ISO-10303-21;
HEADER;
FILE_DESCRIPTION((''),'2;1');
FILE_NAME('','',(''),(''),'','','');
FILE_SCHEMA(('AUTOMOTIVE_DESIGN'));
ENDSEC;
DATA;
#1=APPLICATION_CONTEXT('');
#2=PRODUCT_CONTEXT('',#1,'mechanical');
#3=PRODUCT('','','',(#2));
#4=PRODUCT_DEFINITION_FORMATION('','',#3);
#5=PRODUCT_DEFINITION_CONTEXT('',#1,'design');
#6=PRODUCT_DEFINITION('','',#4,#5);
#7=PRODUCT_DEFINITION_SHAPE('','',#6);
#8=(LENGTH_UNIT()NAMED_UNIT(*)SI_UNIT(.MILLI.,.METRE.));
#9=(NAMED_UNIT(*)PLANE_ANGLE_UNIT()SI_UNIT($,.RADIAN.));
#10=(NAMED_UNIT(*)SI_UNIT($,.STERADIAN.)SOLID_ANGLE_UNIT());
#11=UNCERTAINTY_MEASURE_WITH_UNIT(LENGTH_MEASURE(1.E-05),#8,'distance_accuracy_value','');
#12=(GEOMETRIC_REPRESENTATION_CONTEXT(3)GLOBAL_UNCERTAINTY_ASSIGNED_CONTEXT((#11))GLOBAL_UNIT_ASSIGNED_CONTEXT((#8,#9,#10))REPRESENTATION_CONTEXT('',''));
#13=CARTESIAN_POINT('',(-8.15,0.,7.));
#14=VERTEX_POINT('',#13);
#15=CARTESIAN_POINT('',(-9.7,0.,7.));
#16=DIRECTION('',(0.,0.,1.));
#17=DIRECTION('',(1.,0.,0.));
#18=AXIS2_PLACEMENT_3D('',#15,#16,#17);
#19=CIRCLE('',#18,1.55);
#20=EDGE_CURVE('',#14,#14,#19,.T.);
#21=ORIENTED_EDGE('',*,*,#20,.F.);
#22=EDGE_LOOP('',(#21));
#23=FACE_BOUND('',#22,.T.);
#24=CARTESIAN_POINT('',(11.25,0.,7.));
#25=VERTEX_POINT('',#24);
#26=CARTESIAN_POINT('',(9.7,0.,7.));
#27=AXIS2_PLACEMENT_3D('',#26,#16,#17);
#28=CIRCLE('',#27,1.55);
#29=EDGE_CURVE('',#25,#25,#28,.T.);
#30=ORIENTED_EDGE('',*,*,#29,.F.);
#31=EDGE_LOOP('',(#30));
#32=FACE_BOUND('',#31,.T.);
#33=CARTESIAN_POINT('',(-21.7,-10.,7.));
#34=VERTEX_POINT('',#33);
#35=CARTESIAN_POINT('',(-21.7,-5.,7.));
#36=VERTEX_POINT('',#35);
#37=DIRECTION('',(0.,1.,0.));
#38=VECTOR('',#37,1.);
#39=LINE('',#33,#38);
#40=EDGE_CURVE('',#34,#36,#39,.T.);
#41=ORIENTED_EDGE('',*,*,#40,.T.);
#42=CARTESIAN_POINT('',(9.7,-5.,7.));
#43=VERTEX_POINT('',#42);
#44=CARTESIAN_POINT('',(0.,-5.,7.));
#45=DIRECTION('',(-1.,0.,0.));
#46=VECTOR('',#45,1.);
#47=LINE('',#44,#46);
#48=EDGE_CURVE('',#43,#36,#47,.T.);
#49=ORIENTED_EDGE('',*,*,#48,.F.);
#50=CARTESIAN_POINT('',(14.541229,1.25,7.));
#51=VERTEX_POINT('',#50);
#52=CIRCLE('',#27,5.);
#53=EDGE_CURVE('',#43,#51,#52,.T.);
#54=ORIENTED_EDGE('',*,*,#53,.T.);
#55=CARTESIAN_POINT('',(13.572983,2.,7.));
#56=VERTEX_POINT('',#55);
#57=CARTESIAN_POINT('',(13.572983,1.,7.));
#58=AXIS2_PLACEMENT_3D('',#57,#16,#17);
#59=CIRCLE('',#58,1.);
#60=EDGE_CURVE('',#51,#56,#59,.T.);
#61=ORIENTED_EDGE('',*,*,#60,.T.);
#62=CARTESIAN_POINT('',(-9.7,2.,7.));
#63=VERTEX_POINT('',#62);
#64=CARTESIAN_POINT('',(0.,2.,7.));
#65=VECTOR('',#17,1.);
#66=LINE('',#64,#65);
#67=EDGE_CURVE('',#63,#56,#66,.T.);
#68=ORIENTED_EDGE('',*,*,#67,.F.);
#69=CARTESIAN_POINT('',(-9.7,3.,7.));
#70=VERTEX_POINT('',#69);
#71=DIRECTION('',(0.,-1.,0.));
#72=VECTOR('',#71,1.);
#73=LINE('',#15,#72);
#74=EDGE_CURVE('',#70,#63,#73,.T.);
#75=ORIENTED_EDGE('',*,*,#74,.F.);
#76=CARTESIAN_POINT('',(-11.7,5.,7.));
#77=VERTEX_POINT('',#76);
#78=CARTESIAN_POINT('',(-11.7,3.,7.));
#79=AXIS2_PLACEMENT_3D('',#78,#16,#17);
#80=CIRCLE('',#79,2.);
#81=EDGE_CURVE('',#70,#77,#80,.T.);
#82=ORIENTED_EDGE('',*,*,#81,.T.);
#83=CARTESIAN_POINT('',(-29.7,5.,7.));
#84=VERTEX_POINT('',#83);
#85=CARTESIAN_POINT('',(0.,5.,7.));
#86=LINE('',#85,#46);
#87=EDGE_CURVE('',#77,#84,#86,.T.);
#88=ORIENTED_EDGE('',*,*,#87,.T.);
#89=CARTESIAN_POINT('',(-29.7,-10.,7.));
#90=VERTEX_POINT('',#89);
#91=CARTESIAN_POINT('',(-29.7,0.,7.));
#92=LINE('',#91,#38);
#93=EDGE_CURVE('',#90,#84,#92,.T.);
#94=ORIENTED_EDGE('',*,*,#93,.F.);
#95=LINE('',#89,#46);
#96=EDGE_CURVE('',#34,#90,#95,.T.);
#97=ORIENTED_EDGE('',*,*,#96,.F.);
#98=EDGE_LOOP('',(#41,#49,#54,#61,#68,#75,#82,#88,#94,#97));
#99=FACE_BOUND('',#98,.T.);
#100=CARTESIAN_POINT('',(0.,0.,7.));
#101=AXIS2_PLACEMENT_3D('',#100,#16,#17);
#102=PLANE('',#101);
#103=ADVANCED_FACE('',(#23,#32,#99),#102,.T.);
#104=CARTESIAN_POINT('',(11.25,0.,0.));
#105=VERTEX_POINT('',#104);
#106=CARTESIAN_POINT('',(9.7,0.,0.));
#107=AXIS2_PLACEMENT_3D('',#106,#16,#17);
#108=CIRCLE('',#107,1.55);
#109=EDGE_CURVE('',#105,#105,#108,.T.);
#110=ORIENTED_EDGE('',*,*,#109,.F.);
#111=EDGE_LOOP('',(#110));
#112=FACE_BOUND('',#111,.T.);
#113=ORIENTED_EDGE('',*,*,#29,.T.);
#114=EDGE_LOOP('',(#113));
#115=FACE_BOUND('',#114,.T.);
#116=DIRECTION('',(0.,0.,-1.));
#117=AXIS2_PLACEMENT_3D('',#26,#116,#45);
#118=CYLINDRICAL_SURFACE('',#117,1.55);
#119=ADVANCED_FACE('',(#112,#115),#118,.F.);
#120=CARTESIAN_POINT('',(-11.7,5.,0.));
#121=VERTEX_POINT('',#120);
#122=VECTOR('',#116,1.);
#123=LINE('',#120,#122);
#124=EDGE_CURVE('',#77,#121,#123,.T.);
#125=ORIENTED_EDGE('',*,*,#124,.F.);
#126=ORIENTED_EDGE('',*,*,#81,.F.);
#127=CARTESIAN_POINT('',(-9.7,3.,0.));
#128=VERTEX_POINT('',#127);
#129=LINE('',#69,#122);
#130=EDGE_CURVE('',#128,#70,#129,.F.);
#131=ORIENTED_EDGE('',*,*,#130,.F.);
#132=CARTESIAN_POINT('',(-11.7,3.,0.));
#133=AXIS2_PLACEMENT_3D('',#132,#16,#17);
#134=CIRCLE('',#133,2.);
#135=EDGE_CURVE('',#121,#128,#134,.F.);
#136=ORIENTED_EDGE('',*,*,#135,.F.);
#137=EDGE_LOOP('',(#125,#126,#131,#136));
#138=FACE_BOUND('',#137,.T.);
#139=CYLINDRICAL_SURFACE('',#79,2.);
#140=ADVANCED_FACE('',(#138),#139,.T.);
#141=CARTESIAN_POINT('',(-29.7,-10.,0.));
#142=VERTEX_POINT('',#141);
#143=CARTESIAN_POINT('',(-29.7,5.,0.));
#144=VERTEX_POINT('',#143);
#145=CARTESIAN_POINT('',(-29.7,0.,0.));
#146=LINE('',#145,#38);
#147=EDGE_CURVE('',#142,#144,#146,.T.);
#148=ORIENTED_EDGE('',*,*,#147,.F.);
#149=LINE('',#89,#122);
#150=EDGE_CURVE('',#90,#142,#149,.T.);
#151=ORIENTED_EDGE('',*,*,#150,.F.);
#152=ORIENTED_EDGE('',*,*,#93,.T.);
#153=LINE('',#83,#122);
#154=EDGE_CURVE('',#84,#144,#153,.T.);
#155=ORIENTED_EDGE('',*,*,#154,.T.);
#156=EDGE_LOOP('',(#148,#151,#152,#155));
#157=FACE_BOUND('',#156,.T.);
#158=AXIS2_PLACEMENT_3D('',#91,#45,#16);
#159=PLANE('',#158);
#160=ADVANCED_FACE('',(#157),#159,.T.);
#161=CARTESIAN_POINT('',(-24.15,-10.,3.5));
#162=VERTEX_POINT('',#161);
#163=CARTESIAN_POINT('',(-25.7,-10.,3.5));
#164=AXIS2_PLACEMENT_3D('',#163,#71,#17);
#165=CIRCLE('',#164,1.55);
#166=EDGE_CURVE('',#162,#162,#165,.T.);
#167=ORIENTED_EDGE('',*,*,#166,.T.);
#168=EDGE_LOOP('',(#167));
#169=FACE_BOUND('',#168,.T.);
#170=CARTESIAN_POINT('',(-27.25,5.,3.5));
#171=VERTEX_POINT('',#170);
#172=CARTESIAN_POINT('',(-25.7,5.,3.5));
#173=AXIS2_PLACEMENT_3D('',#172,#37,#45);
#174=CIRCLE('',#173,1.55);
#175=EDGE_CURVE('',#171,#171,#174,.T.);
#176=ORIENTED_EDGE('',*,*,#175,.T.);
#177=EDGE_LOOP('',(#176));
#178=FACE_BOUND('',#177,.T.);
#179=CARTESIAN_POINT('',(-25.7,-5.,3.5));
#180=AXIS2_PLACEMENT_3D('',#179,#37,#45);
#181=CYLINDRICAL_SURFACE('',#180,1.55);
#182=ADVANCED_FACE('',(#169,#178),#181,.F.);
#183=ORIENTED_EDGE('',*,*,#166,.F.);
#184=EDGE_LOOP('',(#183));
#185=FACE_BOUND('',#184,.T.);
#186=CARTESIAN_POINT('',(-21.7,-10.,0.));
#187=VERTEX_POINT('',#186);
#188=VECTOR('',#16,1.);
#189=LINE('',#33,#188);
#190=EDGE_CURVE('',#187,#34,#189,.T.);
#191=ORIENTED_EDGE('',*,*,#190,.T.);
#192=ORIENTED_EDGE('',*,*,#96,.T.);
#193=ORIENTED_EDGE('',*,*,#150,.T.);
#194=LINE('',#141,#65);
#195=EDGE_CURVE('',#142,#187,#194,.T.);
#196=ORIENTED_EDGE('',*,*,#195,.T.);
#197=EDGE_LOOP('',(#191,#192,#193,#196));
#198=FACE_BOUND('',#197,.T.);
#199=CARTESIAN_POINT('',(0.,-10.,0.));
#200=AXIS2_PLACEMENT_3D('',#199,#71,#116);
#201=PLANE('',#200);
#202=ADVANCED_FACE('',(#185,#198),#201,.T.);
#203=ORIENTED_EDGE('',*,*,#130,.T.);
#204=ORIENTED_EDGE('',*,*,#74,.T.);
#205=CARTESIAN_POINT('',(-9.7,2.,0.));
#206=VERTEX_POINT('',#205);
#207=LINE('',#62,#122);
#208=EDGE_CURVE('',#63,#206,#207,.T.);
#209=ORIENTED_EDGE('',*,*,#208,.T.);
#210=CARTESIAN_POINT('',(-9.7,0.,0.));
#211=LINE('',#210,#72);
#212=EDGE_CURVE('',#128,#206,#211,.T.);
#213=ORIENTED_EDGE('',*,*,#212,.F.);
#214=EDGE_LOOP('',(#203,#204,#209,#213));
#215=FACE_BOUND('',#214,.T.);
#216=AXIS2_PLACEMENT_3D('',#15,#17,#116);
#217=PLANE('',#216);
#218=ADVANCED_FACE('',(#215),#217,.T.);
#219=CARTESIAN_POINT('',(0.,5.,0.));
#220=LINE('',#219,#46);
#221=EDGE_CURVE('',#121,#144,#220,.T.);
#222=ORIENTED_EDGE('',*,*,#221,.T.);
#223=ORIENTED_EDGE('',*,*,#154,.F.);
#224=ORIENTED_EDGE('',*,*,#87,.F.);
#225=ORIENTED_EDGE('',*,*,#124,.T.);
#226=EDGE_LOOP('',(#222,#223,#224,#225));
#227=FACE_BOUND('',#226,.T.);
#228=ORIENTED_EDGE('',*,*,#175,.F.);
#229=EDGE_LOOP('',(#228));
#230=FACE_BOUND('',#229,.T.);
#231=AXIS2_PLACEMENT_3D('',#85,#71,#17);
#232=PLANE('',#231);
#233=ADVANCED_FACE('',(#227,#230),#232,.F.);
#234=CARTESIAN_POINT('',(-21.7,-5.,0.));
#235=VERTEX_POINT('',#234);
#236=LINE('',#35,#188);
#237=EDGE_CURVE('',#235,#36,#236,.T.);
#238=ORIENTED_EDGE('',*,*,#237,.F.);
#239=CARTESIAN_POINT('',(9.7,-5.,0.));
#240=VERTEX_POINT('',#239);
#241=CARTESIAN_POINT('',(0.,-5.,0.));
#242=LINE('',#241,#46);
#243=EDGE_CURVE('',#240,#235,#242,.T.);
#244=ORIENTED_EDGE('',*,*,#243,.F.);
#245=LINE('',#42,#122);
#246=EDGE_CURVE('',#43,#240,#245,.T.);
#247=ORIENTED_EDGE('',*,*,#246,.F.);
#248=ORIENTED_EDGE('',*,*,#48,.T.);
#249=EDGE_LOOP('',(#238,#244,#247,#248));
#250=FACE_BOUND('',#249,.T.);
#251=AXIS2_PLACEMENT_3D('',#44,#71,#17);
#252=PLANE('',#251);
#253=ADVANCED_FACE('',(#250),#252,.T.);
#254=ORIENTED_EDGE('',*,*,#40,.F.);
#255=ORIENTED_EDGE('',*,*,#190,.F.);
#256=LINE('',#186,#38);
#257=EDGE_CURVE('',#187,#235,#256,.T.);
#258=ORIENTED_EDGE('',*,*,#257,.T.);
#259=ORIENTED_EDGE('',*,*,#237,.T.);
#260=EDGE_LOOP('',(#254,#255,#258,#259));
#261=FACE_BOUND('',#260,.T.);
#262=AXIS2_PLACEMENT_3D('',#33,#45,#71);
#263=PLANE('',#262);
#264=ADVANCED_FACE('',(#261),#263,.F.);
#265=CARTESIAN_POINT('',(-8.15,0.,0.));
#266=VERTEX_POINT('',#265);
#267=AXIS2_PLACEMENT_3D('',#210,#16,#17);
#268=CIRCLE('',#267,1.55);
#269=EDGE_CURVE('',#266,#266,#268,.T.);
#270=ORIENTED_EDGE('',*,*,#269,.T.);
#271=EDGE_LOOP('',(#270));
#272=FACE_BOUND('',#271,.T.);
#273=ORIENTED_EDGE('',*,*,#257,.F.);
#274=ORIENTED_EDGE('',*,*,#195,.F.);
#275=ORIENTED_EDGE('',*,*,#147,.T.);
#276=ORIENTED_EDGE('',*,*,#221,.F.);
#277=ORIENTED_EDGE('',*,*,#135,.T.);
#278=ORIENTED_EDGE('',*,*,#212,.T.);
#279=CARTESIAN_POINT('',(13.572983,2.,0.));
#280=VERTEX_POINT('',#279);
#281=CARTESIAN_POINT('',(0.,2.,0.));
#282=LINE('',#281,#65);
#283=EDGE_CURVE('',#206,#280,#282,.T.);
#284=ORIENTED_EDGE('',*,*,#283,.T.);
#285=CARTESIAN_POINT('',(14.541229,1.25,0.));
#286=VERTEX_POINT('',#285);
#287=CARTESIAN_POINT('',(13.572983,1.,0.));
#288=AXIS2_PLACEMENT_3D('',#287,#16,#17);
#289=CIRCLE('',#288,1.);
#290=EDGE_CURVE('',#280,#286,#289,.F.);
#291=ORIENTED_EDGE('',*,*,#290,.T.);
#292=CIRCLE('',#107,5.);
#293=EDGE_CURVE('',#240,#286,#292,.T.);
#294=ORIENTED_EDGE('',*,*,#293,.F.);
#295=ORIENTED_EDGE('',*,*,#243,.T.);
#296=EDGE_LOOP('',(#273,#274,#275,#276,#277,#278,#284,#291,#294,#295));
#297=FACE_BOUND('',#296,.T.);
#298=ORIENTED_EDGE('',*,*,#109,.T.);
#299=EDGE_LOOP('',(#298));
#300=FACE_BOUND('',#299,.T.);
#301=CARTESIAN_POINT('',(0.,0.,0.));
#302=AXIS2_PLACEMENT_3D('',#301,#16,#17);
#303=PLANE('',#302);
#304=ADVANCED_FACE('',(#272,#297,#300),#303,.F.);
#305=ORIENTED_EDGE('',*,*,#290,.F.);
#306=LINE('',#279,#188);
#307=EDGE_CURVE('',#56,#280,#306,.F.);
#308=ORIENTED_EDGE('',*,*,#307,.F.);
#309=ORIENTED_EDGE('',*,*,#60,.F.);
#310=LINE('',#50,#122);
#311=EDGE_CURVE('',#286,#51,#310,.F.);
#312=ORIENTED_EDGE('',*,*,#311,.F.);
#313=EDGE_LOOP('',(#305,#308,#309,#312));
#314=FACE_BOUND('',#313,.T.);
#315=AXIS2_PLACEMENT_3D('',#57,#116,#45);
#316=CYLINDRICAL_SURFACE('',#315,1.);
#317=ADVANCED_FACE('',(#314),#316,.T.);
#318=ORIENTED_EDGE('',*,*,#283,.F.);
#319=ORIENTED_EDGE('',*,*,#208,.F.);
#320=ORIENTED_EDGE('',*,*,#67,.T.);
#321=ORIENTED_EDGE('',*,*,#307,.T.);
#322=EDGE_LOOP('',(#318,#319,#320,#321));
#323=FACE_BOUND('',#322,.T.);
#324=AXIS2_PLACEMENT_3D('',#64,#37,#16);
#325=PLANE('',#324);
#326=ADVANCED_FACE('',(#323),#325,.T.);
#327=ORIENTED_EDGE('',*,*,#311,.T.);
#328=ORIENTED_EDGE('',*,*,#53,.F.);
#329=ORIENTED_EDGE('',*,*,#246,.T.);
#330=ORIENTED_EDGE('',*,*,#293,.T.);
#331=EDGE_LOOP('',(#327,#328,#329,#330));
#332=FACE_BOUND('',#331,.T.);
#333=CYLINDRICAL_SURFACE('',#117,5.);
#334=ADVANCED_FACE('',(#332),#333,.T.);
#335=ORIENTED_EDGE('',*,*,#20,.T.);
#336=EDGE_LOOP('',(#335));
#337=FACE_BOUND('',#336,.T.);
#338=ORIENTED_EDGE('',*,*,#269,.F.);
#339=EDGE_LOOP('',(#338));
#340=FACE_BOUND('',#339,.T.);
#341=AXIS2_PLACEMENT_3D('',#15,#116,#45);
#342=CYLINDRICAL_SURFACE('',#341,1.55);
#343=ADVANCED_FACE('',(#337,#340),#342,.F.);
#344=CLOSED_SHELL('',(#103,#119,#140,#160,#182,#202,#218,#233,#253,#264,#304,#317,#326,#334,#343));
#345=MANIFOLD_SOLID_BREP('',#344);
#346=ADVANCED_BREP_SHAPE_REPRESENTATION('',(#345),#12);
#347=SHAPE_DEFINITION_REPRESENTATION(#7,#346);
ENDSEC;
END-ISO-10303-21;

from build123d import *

# Parameters (mm, degrees)
CROQUIS1_R              = 1.55
SALIENTE_EXTRUIR1_DEPTH = 7
REDONDEO1_R             = 1
REDONDEO2_R             = 2
CROQUIS2_R              = 1.55
CORTAR_EXTRUIR1_DEPTH   = 33.110590153
CROQUIS3_W              = 8
CROQUIS3_H              = 7
CROQUIS3_R              = 1.55
SALIENTE_EXTRUIR2_DEPTH = 5


with BuildPart() as part:
    # Croquis1 → Saliente-Extruir1 (new body)
    # profile 1 of 3: a face of its own
    with BuildSketch(Plane.XY):
        with BuildLine():
            ThreePointArc((-9.7, 5), (-14.7, 0), (-9.7, -5))
            Line((-9.7, -5), (-29.7, -5))
            Line((-29.7, -5), (-29.7, 5))
            Line((-29.7, 5), (-9.7, 5))
        make_face()
    # profile 2 of 3: a face of its own
    with BuildSketch(Plane.XY):
        with BuildLine():
            Line((14.282575695, 2), (-9.7, 2))
            Line((-9.7, 2), (-14.282575695, 2))
            ThreePointArc((-14.282575695, 2), (-13.883300133, -2.738612788), (-9.7, -5))
            Line((-9.7, -5), (9.7, -5))
            ThreePointArc((9.7, -5), (13.883300133, -2.738612788), (14.282575695, 2))
        make_face()
        with Locations((-9.7, 0)):
            Circle(CROQUIS1_R, mode=Mode.SUBTRACT)
        with Locations((9.7, 0)):
            Circle(CROQUIS1_R, mode=Mode.SUBTRACT)
    # profile 3 of 3: a face of its own
    with BuildSketch(Plane.XY):
        with BuildLine():
            Line((-9.7, 2), (-9.7, 5))
            ThreePointArc((-9.7, 5), (-12.438612788, 4.183300133), (-14.282575695, 2))
            Line((-14.282575695, 2), (-9.7, 2))
        make_face()
    extrude(amount=SALIENTE_EXTRUIR1_DEPTH)

    # Redondeo1
    redondeo1_edges = [part.edges().sort_by_distance(p)[0] for p in [
        (14.282575695, 2, 3.5),
    ]]
    fillet(redondeo1_edges, radius=REDONDEO1_R)

    # Redondeo2
    redondeo2_edges = [part.edges().sort_by_distance(p)[0] for p in [
        (-9.7, 5, 3.5),
    ]]
    fillet(redondeo2_edges, radius=REDONDEO2_R)

    # Croquis2 → Cortar-Extruir1 (cut, through all)
    with BuildSketch(Plane(origin=(0, 5, 0), x_dir=(1, 0, 0), z_dir=(0, 1, 0))):
        with Locations(Location((-25.7, -3.5, 0), (0, 0, 180))):
            Circle(CROQUIS2_R)
    extrude(amount=-CORTAR_EXTRUIR1_DEPTH, mode=Mode.SUBTRACT)

    # Croquis3 → Saliente-Extruir2 (add)
    with BuildSketch(Plane.XZ.offset(5)):
        with Locations((-25.7, 3.5)):
            Rectangle(CROQUIS3_W, CROQUIS3_H)
        with Locations(Location((-25.7, 3.5, 0), (0, 0, 180))):
            Circle(CROQUIS3_R, mode=Mode.SUBTRACT)
    extrude(amount=SALIENTE_EXTRUIR2_DEPTH)


solid = part.part
